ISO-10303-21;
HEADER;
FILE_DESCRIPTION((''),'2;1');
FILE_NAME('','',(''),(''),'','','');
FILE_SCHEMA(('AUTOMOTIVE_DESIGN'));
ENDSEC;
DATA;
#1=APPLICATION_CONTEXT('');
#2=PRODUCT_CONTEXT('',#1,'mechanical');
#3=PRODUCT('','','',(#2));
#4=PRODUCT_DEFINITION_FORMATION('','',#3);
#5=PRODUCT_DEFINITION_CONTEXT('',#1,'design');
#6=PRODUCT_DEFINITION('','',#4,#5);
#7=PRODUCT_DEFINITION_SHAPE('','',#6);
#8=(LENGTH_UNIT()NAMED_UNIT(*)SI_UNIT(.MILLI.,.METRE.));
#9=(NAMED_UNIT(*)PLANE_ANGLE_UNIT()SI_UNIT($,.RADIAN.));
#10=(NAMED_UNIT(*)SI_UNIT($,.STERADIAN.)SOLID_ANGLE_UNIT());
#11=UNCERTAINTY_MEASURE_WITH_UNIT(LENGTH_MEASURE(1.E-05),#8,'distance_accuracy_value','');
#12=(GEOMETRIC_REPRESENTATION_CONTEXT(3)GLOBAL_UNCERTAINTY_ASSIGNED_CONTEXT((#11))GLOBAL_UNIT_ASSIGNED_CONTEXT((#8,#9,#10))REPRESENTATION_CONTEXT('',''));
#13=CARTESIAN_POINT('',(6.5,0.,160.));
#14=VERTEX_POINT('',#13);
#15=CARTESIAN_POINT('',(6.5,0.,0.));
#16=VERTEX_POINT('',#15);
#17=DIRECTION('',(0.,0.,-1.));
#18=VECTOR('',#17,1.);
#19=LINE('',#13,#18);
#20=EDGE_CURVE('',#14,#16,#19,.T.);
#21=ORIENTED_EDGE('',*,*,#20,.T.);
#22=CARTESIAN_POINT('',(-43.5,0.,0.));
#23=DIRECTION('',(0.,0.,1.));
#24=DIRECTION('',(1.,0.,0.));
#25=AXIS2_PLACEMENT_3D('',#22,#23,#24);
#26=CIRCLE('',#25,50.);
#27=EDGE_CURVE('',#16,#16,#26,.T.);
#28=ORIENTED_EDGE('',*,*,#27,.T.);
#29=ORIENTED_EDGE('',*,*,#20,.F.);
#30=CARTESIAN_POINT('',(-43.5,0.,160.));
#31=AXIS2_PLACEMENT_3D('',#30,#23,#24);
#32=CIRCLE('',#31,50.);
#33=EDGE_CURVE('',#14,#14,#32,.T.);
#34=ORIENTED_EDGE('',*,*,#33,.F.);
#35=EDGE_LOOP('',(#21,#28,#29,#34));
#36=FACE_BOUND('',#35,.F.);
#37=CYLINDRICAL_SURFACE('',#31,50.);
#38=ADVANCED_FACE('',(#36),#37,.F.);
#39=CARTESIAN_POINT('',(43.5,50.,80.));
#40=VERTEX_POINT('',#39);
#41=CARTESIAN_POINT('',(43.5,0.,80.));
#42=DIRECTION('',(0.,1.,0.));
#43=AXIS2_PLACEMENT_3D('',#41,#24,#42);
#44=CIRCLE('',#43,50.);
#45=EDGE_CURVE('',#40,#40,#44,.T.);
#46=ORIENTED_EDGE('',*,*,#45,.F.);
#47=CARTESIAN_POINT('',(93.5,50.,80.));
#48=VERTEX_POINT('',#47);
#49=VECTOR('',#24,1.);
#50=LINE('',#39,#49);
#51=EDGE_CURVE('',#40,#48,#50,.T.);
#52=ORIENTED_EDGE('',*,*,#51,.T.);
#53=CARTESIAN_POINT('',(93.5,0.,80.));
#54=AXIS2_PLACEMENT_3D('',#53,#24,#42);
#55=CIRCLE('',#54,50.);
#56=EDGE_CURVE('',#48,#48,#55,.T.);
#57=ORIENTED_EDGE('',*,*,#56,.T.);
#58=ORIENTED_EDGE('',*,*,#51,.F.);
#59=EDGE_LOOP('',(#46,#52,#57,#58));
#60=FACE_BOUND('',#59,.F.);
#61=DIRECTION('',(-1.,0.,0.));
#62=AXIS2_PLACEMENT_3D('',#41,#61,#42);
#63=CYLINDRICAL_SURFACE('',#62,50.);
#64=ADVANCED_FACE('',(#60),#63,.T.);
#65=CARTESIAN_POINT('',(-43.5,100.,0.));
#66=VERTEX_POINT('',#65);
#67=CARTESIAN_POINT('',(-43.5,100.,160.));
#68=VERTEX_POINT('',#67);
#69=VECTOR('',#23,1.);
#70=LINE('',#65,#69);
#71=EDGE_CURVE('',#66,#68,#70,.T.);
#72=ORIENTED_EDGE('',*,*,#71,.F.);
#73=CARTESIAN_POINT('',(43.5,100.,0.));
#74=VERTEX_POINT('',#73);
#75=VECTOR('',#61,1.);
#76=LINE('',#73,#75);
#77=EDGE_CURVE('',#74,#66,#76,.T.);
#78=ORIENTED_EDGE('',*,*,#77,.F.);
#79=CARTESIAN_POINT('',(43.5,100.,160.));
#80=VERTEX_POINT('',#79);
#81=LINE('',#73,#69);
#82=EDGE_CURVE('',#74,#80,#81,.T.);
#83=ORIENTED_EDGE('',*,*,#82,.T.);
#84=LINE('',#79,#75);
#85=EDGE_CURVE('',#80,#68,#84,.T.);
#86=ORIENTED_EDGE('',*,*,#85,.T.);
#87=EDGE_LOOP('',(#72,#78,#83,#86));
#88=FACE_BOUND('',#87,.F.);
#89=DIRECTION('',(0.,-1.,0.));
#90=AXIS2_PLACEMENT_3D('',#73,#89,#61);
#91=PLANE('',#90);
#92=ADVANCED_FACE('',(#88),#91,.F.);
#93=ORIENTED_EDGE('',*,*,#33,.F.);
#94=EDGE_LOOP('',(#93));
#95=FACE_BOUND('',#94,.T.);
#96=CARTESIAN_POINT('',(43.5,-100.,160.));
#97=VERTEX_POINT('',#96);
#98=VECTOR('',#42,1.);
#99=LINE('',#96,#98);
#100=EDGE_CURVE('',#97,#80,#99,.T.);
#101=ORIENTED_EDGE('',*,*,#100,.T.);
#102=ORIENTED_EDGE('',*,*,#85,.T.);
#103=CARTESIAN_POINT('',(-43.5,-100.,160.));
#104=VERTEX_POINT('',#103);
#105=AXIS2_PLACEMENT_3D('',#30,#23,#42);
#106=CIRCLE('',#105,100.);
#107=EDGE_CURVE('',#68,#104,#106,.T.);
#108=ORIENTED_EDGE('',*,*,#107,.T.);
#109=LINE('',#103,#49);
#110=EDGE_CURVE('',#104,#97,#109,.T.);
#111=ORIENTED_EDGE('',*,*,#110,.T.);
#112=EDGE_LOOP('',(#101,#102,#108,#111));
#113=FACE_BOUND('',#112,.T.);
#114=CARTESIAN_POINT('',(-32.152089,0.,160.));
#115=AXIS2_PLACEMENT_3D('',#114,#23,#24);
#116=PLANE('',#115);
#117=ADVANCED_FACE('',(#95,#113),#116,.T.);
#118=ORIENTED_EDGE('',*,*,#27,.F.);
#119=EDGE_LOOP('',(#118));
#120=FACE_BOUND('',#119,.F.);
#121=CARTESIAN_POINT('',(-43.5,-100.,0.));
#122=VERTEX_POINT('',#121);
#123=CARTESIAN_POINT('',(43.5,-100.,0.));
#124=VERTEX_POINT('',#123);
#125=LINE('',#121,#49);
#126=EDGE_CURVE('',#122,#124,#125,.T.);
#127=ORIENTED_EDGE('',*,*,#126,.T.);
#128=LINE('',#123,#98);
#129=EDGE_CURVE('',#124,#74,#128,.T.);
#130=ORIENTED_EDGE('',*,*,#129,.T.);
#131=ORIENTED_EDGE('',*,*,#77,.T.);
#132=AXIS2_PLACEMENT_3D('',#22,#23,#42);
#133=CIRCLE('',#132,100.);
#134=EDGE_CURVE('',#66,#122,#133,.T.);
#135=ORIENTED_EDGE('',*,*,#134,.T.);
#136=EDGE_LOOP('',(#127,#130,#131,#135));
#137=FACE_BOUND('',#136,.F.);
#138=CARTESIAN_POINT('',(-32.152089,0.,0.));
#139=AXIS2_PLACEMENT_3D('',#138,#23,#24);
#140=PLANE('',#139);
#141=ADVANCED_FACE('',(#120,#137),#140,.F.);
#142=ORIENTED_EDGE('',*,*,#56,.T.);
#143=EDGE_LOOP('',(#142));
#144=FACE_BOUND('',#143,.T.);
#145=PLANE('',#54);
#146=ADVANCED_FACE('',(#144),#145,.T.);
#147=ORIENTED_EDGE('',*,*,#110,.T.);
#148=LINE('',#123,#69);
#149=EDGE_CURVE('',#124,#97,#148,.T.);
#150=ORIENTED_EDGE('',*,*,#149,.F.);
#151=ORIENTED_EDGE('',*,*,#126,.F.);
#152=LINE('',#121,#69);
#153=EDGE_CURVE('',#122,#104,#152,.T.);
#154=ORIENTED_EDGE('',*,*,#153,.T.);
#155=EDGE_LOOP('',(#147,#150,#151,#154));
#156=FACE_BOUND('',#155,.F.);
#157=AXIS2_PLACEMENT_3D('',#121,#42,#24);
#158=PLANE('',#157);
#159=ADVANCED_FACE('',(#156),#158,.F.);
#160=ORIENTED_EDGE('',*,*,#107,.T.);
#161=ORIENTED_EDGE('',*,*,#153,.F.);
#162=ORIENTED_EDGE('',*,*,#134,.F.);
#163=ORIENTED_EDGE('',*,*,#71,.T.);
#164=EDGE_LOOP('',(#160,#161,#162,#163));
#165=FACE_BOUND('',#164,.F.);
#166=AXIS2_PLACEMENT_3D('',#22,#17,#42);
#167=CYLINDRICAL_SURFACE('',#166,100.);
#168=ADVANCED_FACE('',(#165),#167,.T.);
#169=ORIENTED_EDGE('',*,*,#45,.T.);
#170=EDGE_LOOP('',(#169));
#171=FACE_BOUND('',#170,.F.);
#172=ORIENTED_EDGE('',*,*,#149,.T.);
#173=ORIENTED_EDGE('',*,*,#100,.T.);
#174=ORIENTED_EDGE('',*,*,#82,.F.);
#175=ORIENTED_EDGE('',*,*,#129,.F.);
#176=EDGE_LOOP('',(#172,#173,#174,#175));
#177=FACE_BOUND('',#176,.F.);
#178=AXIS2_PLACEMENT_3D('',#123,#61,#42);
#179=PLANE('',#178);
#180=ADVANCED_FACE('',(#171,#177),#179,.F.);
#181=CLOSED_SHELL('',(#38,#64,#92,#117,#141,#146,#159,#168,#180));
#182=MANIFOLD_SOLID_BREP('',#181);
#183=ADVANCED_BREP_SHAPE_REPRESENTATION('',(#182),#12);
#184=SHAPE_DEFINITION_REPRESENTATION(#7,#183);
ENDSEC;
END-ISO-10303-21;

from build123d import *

# Parameters (mm, degrees)
F1_DEPTH = 160
F2_R     = 50
F3_DEPTH = 504
F4_R     = 50
F5_DEPTH = 50


with BuildPart() as f1:
    # F0 (on Top) → F1 (new body)
    with BuildSketch(Plane.XY):
        with BuildLine():
            Line((-43.5, -100), (43.5, -100))
            Line((43.5, -100), (43.5, 100))
            Line((43.5, 100), (-43.5, 100))
            ThreePointArc((-43.5, 100), (-143.5, 0), (-43.5, -100))
        make_face()
    extrude(amount=F1_DEPTH)

    # F2 (on face) → F3 (cut)
    with BuildSketch(Plane.XY.offset(160)):
        with Locations((-43.5, 0)):
            Circle(F2_R)
    extrude(amount=-F3_DEPTH, mode=Mode.SUBTRACT)

    # F4 (on face) → F5 (join)
    with BuildSketch(Plane.YZ.offset(43.5)):
        with Locations((0, 80)):
            Circle(F4_R)
    extrude(amount=F5_DEPTH)


solid = f1.part
